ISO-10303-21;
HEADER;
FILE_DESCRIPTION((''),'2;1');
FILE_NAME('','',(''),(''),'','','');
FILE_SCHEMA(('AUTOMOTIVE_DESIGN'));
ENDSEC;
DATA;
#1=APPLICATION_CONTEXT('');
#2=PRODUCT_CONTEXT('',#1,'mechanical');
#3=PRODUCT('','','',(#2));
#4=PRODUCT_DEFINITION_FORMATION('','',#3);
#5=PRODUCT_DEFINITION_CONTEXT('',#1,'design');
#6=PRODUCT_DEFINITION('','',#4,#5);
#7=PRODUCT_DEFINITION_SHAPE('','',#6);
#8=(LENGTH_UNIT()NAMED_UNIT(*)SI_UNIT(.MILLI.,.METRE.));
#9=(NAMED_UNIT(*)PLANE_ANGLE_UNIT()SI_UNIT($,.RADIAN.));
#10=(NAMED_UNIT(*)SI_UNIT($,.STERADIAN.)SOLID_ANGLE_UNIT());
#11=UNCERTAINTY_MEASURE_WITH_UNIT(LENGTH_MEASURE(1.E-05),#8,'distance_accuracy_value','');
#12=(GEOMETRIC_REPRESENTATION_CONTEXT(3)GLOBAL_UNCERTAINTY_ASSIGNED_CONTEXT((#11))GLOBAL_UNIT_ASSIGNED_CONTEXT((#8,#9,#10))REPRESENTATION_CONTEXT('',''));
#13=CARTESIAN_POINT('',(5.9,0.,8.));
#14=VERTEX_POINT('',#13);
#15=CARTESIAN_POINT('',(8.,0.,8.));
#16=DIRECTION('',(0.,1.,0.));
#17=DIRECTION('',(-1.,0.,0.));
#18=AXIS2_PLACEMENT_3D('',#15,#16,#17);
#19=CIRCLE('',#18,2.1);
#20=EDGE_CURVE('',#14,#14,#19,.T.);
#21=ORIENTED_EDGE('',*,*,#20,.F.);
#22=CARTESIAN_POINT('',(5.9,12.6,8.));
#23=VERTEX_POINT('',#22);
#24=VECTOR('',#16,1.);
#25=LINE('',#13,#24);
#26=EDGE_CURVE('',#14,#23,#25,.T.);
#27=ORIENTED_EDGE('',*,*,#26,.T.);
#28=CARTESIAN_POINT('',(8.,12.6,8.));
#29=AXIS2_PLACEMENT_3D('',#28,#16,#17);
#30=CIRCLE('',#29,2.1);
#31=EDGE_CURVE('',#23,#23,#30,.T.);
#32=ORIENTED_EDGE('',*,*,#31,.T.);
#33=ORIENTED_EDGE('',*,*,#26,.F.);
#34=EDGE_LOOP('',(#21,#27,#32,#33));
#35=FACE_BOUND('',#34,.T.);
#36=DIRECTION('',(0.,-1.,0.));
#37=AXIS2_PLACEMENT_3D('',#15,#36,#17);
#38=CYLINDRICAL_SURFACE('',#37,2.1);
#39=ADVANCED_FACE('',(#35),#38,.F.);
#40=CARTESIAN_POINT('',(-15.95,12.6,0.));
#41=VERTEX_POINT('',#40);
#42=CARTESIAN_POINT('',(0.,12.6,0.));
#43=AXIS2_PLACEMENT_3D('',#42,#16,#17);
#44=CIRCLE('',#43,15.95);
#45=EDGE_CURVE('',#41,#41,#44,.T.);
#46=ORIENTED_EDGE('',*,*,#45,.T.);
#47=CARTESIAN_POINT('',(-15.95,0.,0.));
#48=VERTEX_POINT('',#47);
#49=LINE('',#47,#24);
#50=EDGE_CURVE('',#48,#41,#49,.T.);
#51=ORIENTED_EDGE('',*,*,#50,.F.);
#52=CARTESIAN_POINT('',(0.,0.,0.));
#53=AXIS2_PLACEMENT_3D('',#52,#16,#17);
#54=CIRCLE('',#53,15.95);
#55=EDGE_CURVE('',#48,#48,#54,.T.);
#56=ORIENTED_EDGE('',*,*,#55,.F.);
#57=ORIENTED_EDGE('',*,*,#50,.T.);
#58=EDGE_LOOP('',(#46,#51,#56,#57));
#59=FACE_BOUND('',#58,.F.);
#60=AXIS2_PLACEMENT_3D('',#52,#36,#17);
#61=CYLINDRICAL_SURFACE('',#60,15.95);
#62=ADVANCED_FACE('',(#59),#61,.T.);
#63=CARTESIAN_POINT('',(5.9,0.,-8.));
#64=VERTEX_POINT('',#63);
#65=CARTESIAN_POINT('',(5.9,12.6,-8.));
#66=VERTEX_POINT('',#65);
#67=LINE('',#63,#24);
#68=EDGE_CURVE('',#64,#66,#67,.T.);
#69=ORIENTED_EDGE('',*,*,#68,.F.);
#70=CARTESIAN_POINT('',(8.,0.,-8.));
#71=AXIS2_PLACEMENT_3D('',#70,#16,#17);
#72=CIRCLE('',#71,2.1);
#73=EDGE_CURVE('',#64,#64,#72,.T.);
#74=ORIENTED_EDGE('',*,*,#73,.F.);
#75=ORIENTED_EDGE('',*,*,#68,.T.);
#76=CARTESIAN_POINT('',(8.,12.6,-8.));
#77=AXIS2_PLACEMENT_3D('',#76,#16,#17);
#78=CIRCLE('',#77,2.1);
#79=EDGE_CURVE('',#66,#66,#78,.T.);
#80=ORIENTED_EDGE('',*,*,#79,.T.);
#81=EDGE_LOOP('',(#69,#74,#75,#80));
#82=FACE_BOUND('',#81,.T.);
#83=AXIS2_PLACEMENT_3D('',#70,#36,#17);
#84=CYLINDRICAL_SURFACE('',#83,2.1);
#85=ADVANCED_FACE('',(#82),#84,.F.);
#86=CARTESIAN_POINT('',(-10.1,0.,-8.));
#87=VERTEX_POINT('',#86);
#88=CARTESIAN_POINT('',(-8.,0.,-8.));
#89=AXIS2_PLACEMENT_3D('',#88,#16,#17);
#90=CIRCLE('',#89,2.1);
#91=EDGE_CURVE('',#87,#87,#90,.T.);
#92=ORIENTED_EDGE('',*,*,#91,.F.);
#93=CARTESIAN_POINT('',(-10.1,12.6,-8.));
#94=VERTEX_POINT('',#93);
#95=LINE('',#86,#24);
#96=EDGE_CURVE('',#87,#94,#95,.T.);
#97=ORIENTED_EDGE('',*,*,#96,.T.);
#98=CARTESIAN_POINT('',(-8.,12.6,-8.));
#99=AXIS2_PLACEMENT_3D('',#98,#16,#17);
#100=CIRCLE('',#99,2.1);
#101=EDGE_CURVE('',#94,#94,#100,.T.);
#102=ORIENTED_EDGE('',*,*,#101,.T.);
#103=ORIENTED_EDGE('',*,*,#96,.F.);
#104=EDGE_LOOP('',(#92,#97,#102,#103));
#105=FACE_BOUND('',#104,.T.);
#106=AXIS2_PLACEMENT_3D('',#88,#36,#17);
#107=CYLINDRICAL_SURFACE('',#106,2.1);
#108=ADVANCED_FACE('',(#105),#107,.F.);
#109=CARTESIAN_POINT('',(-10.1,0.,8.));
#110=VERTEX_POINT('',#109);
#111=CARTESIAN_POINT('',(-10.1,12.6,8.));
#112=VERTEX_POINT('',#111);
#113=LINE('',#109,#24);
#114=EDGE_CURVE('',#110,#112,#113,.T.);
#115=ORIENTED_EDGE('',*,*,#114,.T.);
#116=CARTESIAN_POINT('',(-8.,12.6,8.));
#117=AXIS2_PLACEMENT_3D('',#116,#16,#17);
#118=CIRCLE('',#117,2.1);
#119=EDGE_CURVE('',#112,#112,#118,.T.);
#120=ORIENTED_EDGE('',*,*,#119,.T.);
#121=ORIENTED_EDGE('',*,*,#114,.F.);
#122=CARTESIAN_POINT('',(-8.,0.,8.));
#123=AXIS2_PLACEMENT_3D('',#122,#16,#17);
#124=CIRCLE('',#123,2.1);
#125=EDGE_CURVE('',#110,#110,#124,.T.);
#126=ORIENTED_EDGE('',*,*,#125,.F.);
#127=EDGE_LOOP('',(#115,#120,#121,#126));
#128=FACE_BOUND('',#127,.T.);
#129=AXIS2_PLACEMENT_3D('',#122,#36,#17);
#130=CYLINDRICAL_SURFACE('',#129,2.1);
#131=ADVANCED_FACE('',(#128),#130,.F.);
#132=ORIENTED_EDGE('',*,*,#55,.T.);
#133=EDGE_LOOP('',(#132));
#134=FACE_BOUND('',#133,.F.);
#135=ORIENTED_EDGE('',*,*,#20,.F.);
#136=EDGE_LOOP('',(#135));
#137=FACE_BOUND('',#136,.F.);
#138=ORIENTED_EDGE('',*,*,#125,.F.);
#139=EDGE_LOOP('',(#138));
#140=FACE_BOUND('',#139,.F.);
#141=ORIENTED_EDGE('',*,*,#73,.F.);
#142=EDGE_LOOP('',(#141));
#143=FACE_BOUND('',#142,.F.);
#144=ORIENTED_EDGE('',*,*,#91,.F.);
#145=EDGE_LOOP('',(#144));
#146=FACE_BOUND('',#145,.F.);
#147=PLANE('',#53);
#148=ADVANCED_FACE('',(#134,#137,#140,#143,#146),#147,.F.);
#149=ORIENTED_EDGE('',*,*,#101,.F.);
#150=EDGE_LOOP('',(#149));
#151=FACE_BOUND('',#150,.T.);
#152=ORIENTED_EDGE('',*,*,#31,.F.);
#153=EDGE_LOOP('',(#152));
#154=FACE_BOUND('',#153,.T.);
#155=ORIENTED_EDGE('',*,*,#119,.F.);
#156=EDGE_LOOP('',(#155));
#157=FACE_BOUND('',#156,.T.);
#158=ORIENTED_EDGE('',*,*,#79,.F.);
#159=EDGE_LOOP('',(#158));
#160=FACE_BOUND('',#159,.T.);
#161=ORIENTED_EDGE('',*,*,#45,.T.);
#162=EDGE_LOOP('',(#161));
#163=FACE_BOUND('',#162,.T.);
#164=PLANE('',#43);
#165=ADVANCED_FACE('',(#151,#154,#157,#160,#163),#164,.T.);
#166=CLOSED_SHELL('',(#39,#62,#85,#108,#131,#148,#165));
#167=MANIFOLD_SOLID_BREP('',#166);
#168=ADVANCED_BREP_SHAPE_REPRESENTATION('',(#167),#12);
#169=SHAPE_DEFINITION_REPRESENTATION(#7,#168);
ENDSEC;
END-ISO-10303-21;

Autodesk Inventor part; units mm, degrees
ref_plane "YZ Plane" through (0, 0, 0) normal (1, 0, 0) x (0, 1, 0)
ref_plane "XZ Plane" through (0, 0, 0) normal (0, 1, 0) x (-1, 0, 0)
ref_plane "XY Plane" through (0, 0, 0) normal (0, 0, 1) x (1, 0, 0)
sketch "Sketch1" plane through (0, 0, 0) normal (0, 1, 0) x (-1, 0, 0)
  circle A0 centre (0, 0) radius 15.95
  circle A1 centre (8, 8) radius 2.1
  circle A2 centre (-8, 8) radius 2.1
  circle A3 centre (-8, -8) radius 2.1
  circle A4 centre (8, -8) radius 2.1
  dimension "d0" = 31.9
  dimension "d1" = 4.2
  dimension "d2" = 8
  dimension "d3" = 8
  dimension "d6" = 360
extrude "Extrusion1" add sketch "Sketch1" along normal blind 12.6
properties part number "EndEffector_Stage1BearingSpacer" material "Aluminum 6061"
